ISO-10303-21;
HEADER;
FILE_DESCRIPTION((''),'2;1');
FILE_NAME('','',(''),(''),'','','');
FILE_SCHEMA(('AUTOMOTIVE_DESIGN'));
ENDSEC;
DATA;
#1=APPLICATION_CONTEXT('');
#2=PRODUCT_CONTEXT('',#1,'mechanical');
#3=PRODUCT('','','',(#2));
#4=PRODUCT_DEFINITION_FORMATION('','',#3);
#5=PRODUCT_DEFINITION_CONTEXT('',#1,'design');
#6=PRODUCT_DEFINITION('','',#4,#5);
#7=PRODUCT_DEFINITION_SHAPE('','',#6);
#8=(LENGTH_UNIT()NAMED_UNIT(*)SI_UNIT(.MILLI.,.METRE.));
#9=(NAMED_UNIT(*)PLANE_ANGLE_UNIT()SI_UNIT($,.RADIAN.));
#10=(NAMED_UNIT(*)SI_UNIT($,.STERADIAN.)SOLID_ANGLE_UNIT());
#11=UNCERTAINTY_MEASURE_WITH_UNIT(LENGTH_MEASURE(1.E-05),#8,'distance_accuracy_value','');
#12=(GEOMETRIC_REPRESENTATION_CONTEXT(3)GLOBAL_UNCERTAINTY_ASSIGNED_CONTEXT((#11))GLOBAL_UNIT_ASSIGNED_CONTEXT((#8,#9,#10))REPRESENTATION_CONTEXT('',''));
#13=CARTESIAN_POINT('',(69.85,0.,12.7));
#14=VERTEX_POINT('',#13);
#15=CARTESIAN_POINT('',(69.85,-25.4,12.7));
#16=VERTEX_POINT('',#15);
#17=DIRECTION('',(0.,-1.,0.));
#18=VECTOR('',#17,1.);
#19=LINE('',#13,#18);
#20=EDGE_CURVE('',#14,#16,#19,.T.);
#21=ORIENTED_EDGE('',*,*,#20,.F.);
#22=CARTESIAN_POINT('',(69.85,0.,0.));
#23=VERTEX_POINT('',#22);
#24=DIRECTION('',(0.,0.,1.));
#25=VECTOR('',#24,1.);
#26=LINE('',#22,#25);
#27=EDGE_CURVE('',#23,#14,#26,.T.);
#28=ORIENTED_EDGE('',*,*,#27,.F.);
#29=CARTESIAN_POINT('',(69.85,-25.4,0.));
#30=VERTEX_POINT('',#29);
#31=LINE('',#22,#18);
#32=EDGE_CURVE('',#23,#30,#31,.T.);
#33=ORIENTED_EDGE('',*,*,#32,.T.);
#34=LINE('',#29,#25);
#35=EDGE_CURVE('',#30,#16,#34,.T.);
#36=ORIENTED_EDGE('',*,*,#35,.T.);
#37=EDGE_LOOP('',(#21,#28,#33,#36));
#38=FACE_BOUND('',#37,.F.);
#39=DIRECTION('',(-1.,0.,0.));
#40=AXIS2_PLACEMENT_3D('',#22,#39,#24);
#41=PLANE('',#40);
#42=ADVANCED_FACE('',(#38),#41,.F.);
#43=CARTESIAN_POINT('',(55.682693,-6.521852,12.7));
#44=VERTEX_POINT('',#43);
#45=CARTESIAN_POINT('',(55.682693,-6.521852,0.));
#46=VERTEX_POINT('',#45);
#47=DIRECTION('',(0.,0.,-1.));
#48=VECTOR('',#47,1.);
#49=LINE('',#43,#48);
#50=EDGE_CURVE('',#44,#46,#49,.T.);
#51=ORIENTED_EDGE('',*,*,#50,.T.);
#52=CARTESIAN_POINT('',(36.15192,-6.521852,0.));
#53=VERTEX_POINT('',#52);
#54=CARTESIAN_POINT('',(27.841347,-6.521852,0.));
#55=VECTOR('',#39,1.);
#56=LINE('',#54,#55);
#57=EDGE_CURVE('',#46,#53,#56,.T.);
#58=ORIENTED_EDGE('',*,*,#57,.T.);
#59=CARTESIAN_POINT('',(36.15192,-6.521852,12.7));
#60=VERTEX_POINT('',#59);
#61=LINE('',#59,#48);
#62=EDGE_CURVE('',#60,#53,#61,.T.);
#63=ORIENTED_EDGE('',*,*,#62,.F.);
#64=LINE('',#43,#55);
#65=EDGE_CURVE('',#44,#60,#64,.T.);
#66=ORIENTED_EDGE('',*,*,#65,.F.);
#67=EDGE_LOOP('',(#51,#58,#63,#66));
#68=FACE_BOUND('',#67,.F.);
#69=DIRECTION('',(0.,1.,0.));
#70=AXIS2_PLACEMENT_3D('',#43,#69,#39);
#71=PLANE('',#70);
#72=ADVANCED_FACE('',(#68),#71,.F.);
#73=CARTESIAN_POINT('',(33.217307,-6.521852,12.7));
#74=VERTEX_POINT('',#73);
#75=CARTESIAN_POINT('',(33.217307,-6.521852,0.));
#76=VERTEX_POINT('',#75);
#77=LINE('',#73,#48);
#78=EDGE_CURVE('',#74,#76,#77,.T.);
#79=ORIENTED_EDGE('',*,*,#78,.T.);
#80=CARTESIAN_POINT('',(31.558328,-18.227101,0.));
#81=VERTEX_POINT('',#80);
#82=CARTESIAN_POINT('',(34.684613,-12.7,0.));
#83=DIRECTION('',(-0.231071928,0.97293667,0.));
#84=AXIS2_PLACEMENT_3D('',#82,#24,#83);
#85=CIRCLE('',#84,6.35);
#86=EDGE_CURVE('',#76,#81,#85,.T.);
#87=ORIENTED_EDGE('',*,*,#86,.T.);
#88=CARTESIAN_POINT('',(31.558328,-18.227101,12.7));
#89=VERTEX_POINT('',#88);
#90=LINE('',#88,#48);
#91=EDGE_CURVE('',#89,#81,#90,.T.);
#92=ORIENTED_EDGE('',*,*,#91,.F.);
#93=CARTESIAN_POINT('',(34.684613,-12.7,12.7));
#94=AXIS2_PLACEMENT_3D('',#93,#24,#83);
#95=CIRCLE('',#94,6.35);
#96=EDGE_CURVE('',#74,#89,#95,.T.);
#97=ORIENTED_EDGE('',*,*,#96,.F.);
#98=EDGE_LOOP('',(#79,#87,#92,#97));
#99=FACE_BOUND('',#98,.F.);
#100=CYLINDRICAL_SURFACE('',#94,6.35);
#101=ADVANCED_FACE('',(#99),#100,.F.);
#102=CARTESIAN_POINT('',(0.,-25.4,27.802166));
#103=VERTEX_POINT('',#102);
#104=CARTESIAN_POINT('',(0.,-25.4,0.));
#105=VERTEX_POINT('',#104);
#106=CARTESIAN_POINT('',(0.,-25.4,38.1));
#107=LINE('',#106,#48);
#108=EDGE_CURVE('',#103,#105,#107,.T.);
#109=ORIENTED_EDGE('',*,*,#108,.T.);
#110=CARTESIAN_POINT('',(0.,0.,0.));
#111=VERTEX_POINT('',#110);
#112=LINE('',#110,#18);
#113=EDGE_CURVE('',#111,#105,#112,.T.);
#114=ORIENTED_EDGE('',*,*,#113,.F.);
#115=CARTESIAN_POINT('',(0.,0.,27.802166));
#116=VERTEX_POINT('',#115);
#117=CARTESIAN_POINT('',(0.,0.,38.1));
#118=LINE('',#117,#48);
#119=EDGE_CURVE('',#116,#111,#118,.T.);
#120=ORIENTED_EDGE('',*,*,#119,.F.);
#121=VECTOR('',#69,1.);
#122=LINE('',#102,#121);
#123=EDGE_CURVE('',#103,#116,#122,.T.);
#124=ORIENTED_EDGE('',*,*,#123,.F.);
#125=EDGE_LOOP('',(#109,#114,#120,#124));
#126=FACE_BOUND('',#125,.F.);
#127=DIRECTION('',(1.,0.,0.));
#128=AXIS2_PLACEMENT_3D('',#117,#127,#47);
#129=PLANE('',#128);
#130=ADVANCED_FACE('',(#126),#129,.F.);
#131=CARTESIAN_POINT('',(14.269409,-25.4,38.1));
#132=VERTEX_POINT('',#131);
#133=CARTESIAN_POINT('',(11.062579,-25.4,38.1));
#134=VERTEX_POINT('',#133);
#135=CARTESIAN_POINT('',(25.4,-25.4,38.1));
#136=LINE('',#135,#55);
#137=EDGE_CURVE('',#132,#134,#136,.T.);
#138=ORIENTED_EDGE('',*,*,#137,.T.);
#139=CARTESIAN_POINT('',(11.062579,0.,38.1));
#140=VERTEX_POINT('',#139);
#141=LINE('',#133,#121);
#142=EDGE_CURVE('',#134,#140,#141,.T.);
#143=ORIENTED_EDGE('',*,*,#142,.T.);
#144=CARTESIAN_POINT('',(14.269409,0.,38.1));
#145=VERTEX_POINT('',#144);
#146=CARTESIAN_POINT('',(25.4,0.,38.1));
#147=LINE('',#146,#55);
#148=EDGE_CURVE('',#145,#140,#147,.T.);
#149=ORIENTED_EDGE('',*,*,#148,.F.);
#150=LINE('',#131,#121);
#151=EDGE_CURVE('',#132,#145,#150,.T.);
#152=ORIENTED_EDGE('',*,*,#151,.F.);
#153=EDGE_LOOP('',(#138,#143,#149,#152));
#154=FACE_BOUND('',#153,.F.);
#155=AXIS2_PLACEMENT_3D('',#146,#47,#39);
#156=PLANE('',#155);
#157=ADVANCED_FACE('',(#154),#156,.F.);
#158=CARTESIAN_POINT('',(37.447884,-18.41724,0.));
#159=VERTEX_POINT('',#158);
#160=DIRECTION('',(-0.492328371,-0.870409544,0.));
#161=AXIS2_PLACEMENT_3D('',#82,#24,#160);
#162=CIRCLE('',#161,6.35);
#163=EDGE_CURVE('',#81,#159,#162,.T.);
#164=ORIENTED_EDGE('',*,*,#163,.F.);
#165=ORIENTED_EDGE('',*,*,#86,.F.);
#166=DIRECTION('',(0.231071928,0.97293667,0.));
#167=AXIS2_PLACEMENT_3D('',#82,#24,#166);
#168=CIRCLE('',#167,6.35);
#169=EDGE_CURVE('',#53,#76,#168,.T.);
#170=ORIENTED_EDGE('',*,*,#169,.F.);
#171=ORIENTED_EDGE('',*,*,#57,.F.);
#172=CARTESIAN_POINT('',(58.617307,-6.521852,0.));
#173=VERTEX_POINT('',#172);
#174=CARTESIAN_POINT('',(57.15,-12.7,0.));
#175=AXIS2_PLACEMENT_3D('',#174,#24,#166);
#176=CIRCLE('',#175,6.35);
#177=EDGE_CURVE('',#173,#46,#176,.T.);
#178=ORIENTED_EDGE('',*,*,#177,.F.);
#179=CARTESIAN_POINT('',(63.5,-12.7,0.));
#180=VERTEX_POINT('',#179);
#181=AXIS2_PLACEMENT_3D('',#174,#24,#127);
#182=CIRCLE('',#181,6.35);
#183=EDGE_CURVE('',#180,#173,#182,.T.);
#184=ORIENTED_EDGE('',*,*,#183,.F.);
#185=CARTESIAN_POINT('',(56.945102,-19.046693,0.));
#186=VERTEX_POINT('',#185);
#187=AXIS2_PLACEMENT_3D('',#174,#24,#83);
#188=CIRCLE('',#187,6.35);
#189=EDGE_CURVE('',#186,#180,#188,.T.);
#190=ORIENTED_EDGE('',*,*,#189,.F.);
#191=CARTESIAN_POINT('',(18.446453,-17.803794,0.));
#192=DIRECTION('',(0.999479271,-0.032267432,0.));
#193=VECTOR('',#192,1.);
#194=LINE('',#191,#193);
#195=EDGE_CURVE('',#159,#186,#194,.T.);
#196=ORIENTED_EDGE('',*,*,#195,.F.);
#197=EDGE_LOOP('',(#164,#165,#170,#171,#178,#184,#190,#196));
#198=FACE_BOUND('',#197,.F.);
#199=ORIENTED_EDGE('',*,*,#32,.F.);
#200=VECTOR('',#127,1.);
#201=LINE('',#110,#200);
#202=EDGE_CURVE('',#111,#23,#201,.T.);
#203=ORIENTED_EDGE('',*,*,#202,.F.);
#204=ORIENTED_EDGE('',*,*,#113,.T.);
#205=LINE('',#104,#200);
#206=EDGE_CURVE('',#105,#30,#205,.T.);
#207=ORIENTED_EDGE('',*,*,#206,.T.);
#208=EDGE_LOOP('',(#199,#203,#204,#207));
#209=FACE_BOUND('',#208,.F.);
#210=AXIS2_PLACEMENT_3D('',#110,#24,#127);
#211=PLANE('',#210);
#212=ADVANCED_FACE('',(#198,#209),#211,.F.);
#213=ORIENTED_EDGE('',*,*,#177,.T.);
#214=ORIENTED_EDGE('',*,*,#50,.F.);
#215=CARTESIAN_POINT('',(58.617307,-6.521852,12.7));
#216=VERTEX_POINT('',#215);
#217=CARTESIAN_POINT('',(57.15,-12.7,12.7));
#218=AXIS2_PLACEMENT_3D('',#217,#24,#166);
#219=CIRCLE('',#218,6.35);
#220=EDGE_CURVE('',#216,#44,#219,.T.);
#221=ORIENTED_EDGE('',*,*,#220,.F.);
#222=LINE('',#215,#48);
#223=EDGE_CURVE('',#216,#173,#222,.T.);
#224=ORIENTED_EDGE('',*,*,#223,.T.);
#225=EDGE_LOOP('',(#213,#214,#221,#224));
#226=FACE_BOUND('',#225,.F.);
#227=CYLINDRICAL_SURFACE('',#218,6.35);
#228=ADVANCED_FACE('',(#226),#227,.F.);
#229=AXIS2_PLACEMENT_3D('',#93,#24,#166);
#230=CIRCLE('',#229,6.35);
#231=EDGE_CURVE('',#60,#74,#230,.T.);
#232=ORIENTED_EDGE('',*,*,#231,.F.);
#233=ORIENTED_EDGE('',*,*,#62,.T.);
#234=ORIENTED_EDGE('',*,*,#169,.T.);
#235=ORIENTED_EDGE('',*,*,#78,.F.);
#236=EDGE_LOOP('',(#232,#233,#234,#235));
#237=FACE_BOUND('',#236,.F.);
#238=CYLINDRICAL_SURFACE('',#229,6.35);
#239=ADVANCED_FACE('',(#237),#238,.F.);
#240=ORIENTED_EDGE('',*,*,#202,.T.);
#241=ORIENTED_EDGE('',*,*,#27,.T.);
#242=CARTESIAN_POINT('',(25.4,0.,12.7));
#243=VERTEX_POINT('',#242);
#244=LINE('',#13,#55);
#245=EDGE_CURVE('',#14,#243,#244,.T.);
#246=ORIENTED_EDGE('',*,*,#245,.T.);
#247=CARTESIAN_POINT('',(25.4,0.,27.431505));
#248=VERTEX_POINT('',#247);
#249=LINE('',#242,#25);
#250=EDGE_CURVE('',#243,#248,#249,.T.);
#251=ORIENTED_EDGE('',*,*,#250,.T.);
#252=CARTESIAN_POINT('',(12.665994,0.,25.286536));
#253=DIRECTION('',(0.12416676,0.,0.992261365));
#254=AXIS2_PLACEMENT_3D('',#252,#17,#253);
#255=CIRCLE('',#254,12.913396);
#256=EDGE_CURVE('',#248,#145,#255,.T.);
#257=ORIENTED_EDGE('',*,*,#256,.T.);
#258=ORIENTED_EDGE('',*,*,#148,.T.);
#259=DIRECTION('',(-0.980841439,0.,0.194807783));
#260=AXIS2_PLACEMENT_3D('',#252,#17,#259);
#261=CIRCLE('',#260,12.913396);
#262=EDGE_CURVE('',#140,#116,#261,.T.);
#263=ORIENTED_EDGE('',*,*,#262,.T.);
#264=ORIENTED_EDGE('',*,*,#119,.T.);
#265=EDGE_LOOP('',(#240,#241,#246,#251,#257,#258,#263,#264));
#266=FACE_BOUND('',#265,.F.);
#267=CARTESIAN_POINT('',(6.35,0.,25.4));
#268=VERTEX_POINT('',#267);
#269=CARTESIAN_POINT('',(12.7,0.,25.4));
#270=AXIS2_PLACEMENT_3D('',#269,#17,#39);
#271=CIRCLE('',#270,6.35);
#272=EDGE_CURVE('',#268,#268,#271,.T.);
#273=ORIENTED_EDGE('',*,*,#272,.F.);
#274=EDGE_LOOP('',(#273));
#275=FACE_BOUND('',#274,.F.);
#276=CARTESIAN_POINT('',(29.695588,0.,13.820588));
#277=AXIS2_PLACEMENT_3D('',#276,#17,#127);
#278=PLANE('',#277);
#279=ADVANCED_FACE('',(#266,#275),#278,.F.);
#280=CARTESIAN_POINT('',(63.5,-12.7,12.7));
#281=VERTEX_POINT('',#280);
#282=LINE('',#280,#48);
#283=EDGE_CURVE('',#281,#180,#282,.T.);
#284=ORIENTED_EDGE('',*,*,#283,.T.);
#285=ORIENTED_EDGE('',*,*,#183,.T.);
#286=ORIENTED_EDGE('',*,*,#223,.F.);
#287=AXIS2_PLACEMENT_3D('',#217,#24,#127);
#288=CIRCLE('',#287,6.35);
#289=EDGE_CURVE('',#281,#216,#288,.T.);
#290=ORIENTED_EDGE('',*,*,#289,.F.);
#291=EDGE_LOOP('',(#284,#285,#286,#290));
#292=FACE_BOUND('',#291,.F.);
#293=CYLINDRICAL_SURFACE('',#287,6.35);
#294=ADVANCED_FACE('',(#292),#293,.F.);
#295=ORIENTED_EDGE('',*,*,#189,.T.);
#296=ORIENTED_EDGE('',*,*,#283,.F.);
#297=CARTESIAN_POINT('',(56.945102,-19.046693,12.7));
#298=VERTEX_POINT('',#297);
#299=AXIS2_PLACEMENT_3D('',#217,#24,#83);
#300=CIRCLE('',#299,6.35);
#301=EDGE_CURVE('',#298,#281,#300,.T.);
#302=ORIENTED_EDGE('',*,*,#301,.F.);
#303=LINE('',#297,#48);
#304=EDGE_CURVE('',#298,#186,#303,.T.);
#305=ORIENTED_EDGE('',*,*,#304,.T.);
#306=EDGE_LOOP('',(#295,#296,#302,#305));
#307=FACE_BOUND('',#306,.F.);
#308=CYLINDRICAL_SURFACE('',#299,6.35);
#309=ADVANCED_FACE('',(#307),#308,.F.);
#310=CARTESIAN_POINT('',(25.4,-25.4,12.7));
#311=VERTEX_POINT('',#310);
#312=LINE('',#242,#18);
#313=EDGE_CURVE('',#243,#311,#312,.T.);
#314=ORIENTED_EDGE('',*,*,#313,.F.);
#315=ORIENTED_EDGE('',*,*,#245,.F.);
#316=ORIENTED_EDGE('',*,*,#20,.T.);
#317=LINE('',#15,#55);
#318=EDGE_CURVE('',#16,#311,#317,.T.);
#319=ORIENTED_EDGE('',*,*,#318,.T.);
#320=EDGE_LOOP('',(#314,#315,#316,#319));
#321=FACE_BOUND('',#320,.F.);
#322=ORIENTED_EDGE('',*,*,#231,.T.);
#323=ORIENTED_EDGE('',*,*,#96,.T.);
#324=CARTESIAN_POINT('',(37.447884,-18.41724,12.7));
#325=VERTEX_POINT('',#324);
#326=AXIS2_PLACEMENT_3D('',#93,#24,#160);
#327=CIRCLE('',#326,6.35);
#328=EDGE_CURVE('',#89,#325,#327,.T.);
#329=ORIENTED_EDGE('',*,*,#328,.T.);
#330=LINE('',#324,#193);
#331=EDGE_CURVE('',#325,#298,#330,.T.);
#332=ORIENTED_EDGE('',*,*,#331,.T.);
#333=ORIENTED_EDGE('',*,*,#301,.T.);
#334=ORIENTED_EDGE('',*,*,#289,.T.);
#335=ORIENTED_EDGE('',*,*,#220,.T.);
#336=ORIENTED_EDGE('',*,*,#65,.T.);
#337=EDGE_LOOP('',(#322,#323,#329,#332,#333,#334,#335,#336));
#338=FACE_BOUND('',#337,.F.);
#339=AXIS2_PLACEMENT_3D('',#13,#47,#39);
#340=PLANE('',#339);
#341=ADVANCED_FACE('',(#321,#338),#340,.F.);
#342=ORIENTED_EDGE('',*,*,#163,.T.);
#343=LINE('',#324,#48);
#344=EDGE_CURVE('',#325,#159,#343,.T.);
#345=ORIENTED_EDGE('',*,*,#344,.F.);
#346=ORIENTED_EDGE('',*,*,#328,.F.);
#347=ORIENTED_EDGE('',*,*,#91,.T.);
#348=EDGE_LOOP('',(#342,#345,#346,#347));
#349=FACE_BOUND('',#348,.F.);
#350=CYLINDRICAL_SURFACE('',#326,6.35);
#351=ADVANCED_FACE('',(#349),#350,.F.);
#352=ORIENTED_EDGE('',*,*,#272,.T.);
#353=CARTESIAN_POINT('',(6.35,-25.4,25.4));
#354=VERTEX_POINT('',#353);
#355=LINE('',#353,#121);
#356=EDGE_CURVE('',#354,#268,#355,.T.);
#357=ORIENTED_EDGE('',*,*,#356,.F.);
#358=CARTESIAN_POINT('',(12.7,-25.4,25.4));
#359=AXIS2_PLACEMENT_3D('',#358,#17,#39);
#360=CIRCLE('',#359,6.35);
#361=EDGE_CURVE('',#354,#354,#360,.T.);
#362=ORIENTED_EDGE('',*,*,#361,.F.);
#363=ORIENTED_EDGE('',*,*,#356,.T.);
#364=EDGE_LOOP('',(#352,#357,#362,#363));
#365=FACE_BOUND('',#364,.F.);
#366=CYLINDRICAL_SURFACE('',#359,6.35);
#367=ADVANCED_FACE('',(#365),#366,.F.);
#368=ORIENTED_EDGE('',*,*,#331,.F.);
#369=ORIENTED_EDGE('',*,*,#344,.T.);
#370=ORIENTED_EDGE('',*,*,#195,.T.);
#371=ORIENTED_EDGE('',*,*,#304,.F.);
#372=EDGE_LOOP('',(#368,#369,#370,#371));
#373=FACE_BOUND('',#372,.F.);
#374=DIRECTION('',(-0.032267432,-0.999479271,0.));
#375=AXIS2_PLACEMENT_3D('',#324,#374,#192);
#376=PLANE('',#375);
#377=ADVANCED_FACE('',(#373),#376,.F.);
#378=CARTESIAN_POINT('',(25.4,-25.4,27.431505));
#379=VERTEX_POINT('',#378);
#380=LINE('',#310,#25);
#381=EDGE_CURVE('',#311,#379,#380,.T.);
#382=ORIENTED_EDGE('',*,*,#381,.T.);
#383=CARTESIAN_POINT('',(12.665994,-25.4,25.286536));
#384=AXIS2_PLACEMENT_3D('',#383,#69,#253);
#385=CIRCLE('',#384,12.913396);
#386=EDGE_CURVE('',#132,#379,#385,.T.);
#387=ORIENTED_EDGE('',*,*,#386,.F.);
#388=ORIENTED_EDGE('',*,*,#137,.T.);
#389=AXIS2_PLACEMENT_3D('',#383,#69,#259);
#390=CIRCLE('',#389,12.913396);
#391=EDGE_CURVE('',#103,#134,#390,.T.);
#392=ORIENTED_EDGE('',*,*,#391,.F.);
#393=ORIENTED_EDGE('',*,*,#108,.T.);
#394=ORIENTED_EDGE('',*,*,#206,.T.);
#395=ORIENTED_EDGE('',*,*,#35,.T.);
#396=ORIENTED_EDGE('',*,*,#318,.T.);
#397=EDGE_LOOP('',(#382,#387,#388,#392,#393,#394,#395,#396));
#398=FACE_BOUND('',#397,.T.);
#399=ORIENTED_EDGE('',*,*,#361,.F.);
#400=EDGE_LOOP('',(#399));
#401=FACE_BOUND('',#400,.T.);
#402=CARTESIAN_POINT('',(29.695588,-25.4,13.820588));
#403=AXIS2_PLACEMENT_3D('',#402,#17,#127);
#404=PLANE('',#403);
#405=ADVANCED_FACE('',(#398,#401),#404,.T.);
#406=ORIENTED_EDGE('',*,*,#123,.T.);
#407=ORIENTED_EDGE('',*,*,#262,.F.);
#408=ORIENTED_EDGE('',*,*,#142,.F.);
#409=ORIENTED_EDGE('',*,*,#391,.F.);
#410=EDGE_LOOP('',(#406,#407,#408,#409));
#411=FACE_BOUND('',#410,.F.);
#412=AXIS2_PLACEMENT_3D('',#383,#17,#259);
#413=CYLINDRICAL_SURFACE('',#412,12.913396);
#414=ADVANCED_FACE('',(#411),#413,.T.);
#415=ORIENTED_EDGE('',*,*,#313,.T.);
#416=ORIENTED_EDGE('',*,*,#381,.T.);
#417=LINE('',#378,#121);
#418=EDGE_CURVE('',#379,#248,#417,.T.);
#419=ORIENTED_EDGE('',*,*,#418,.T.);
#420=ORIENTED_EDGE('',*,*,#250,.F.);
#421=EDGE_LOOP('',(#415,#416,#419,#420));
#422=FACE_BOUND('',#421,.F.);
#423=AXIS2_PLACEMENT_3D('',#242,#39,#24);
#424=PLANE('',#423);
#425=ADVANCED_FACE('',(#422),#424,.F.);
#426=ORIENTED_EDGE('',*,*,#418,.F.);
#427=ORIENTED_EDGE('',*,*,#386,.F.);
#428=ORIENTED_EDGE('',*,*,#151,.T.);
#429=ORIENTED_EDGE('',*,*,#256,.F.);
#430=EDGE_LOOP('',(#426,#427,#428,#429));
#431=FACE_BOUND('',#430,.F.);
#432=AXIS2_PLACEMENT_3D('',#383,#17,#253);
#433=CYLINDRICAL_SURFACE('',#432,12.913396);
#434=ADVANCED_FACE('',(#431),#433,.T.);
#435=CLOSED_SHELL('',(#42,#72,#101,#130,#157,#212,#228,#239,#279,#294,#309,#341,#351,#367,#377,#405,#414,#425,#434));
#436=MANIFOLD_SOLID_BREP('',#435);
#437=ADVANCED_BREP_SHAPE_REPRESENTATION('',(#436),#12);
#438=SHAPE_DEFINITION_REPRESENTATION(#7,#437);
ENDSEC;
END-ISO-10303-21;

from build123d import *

# Parameters (mm, degrees)
F1_DEPTH = 25.4
F3_DEPTH = 25.401
F5_DEPTH = 25.401
F7_DEPTH = 12.701


with BuildPart() as f1:
    # F0 (on Front) → F1 (new body)
    with BuildSketch(Plane.XZ):
        Polygon((25.4, 38.1), (0, 38.1), (0, 0), (69.85, 0), (69.85, 12.7), (25.4, 12.7), align=None)
    extrude(amount=F1_DEPTH)

    # F2 (on face) → F3 (cut, through all)
    with BuildSketch(Plane.XZ.offset(25.4)):
        with BuildLine():
            Line((6.35, 25.4), (19.05, 25.4))
            ThreePointArc((19.05, 25.4), (12.7, 31.75), (6.35, 25.4))
        make_face()
        with BuildLine():
            ThreePointArc((6.35, 25.4), (12.7, 19.05), (19.05, 25.4))
            Line((19.05, 25.4), (6.35, 25.4))
        make_face()
    extrude(amount=-F3_DEPTH, mode=Mode.SUBTRACT)

    # F4 (on face) → F5 (cut, through all)
    with BuildSketch(Plane.XZ.offset(25.4)):
        with BuildLine():
            ThreePointArc((0, 27.8021660134), (3.867394622, 34.7385435521), (11.0625794751, 38.1))
            Line((11.0625794751, 38.1), (0, 38.1))
            Line((0, 38.1), (0, 27.8021660134))
        make_face()
        with BuildLine():
            ThreePointArc((14.2694085859, 38.1), (21.6015748331, 34.6091533391), (25.4, 27.4315048009))
            Line((25.4, 27.4315048009), (25.4, 38.1))
            Line((25.4, 38.1), (14.2694085859, 38.1))
        make_face()
    extrude(amount=-F5_DEPTH, mode=Mode.SUBTRACT)

    # F6 (on face) → F7 (cut, through all)
    with BuildSketch(Plane.XY.offset(12.7)):
        with BuildLine():
            ThreePointArc((56.9451018092, -19.0466933699), (61.5670916047, -17.26199537), (63.5, -12.7))
            ThreePointArc((63.5, -12.7), (62.1319623553, -8.7626720876), (58.6173067433, -6.5218521448))
            Line((58.6173067433, -6.5218521448), (55.6826932567, -6.5218521448))
            ThreePointArc((55.6826932567, -6.5218521448), (50.8320114543, -13.3368051005), (56.9451018092, -19.0466933699))
        make_face()
        with BuildLine():
            Line((55.6826932567, -6.5218521448), (58.6173067433, -6.5218521448))
            ThreePointArc((58.6173067433, -6.5218521448), (57.15, -6.35), (55.6826932567, -6.5218521448))
        make_face()
        with BuildLine():
            Line((37.4478836052, -18.4172404403), (56.9451018092, -19.0466933699))
            ThreePointArc((56.9451018092, -19.0466933699), (50.8320114543, -13.3368051005), (55.6826932567, -6.5218521448))
            Line((55.6826932567, -6.5218521448), (36.1519202299, -6.5218521448))
            ThreePointArc((36.1519202299, -6.5218521448), (39.6665758419, -8.7626720876), (41.0346134866, -12.7))
            ThreePointArc((41.0346134866, -12.7), (40.0637056615, -16.074591438), (37.4478836052, -18.4172404403))
        make_face()
        with BuildLine():
            Line((31.5583283297, -18.2271006068), (37.4478836052, -18.4172404403))
            ThreePointArc((37.4478836052, -18.4172404403), (40.0637056615, -16.074591438), (41.0346134866, -12.7))
            ThreePointArc((41.0346134866, -12.7), (39.6665758419, -8.7626720876), (36.1519202299, -6.5218521448))
            Line((36.1519202299, -6.5218521448), (33.2173067433, -6.5218521448))
            ThreePointArc((33.2173067433, -6.5218521448), (28.3974454416, -11.8089231379), (31.5583283297, -18.2271006068))
        make_face()
        with BuildLine():
            ThreePointArc((31.5583283297, -18.2271006068), (34.4797152958, -19.0466933699), (37.4478836052, -18.4172404403))
            Line((37.4478836052, -18.4172404403), (31.5583283297, -18.2271006068))
        make_face()
        with BuildLine():
            Line((33.2173067433, -6.5218521448), (36.1519202299, -6.5218521448))
            ThreePointArc((36.1519202299, -6.5218521448), (34.6846134866, -6.35), (33.2173067433, -6.5218521448))
        make_face()
    extrude(amount=-F7_DEPTH, mode=Mode.SUBTRACT)


solid = f1.part
